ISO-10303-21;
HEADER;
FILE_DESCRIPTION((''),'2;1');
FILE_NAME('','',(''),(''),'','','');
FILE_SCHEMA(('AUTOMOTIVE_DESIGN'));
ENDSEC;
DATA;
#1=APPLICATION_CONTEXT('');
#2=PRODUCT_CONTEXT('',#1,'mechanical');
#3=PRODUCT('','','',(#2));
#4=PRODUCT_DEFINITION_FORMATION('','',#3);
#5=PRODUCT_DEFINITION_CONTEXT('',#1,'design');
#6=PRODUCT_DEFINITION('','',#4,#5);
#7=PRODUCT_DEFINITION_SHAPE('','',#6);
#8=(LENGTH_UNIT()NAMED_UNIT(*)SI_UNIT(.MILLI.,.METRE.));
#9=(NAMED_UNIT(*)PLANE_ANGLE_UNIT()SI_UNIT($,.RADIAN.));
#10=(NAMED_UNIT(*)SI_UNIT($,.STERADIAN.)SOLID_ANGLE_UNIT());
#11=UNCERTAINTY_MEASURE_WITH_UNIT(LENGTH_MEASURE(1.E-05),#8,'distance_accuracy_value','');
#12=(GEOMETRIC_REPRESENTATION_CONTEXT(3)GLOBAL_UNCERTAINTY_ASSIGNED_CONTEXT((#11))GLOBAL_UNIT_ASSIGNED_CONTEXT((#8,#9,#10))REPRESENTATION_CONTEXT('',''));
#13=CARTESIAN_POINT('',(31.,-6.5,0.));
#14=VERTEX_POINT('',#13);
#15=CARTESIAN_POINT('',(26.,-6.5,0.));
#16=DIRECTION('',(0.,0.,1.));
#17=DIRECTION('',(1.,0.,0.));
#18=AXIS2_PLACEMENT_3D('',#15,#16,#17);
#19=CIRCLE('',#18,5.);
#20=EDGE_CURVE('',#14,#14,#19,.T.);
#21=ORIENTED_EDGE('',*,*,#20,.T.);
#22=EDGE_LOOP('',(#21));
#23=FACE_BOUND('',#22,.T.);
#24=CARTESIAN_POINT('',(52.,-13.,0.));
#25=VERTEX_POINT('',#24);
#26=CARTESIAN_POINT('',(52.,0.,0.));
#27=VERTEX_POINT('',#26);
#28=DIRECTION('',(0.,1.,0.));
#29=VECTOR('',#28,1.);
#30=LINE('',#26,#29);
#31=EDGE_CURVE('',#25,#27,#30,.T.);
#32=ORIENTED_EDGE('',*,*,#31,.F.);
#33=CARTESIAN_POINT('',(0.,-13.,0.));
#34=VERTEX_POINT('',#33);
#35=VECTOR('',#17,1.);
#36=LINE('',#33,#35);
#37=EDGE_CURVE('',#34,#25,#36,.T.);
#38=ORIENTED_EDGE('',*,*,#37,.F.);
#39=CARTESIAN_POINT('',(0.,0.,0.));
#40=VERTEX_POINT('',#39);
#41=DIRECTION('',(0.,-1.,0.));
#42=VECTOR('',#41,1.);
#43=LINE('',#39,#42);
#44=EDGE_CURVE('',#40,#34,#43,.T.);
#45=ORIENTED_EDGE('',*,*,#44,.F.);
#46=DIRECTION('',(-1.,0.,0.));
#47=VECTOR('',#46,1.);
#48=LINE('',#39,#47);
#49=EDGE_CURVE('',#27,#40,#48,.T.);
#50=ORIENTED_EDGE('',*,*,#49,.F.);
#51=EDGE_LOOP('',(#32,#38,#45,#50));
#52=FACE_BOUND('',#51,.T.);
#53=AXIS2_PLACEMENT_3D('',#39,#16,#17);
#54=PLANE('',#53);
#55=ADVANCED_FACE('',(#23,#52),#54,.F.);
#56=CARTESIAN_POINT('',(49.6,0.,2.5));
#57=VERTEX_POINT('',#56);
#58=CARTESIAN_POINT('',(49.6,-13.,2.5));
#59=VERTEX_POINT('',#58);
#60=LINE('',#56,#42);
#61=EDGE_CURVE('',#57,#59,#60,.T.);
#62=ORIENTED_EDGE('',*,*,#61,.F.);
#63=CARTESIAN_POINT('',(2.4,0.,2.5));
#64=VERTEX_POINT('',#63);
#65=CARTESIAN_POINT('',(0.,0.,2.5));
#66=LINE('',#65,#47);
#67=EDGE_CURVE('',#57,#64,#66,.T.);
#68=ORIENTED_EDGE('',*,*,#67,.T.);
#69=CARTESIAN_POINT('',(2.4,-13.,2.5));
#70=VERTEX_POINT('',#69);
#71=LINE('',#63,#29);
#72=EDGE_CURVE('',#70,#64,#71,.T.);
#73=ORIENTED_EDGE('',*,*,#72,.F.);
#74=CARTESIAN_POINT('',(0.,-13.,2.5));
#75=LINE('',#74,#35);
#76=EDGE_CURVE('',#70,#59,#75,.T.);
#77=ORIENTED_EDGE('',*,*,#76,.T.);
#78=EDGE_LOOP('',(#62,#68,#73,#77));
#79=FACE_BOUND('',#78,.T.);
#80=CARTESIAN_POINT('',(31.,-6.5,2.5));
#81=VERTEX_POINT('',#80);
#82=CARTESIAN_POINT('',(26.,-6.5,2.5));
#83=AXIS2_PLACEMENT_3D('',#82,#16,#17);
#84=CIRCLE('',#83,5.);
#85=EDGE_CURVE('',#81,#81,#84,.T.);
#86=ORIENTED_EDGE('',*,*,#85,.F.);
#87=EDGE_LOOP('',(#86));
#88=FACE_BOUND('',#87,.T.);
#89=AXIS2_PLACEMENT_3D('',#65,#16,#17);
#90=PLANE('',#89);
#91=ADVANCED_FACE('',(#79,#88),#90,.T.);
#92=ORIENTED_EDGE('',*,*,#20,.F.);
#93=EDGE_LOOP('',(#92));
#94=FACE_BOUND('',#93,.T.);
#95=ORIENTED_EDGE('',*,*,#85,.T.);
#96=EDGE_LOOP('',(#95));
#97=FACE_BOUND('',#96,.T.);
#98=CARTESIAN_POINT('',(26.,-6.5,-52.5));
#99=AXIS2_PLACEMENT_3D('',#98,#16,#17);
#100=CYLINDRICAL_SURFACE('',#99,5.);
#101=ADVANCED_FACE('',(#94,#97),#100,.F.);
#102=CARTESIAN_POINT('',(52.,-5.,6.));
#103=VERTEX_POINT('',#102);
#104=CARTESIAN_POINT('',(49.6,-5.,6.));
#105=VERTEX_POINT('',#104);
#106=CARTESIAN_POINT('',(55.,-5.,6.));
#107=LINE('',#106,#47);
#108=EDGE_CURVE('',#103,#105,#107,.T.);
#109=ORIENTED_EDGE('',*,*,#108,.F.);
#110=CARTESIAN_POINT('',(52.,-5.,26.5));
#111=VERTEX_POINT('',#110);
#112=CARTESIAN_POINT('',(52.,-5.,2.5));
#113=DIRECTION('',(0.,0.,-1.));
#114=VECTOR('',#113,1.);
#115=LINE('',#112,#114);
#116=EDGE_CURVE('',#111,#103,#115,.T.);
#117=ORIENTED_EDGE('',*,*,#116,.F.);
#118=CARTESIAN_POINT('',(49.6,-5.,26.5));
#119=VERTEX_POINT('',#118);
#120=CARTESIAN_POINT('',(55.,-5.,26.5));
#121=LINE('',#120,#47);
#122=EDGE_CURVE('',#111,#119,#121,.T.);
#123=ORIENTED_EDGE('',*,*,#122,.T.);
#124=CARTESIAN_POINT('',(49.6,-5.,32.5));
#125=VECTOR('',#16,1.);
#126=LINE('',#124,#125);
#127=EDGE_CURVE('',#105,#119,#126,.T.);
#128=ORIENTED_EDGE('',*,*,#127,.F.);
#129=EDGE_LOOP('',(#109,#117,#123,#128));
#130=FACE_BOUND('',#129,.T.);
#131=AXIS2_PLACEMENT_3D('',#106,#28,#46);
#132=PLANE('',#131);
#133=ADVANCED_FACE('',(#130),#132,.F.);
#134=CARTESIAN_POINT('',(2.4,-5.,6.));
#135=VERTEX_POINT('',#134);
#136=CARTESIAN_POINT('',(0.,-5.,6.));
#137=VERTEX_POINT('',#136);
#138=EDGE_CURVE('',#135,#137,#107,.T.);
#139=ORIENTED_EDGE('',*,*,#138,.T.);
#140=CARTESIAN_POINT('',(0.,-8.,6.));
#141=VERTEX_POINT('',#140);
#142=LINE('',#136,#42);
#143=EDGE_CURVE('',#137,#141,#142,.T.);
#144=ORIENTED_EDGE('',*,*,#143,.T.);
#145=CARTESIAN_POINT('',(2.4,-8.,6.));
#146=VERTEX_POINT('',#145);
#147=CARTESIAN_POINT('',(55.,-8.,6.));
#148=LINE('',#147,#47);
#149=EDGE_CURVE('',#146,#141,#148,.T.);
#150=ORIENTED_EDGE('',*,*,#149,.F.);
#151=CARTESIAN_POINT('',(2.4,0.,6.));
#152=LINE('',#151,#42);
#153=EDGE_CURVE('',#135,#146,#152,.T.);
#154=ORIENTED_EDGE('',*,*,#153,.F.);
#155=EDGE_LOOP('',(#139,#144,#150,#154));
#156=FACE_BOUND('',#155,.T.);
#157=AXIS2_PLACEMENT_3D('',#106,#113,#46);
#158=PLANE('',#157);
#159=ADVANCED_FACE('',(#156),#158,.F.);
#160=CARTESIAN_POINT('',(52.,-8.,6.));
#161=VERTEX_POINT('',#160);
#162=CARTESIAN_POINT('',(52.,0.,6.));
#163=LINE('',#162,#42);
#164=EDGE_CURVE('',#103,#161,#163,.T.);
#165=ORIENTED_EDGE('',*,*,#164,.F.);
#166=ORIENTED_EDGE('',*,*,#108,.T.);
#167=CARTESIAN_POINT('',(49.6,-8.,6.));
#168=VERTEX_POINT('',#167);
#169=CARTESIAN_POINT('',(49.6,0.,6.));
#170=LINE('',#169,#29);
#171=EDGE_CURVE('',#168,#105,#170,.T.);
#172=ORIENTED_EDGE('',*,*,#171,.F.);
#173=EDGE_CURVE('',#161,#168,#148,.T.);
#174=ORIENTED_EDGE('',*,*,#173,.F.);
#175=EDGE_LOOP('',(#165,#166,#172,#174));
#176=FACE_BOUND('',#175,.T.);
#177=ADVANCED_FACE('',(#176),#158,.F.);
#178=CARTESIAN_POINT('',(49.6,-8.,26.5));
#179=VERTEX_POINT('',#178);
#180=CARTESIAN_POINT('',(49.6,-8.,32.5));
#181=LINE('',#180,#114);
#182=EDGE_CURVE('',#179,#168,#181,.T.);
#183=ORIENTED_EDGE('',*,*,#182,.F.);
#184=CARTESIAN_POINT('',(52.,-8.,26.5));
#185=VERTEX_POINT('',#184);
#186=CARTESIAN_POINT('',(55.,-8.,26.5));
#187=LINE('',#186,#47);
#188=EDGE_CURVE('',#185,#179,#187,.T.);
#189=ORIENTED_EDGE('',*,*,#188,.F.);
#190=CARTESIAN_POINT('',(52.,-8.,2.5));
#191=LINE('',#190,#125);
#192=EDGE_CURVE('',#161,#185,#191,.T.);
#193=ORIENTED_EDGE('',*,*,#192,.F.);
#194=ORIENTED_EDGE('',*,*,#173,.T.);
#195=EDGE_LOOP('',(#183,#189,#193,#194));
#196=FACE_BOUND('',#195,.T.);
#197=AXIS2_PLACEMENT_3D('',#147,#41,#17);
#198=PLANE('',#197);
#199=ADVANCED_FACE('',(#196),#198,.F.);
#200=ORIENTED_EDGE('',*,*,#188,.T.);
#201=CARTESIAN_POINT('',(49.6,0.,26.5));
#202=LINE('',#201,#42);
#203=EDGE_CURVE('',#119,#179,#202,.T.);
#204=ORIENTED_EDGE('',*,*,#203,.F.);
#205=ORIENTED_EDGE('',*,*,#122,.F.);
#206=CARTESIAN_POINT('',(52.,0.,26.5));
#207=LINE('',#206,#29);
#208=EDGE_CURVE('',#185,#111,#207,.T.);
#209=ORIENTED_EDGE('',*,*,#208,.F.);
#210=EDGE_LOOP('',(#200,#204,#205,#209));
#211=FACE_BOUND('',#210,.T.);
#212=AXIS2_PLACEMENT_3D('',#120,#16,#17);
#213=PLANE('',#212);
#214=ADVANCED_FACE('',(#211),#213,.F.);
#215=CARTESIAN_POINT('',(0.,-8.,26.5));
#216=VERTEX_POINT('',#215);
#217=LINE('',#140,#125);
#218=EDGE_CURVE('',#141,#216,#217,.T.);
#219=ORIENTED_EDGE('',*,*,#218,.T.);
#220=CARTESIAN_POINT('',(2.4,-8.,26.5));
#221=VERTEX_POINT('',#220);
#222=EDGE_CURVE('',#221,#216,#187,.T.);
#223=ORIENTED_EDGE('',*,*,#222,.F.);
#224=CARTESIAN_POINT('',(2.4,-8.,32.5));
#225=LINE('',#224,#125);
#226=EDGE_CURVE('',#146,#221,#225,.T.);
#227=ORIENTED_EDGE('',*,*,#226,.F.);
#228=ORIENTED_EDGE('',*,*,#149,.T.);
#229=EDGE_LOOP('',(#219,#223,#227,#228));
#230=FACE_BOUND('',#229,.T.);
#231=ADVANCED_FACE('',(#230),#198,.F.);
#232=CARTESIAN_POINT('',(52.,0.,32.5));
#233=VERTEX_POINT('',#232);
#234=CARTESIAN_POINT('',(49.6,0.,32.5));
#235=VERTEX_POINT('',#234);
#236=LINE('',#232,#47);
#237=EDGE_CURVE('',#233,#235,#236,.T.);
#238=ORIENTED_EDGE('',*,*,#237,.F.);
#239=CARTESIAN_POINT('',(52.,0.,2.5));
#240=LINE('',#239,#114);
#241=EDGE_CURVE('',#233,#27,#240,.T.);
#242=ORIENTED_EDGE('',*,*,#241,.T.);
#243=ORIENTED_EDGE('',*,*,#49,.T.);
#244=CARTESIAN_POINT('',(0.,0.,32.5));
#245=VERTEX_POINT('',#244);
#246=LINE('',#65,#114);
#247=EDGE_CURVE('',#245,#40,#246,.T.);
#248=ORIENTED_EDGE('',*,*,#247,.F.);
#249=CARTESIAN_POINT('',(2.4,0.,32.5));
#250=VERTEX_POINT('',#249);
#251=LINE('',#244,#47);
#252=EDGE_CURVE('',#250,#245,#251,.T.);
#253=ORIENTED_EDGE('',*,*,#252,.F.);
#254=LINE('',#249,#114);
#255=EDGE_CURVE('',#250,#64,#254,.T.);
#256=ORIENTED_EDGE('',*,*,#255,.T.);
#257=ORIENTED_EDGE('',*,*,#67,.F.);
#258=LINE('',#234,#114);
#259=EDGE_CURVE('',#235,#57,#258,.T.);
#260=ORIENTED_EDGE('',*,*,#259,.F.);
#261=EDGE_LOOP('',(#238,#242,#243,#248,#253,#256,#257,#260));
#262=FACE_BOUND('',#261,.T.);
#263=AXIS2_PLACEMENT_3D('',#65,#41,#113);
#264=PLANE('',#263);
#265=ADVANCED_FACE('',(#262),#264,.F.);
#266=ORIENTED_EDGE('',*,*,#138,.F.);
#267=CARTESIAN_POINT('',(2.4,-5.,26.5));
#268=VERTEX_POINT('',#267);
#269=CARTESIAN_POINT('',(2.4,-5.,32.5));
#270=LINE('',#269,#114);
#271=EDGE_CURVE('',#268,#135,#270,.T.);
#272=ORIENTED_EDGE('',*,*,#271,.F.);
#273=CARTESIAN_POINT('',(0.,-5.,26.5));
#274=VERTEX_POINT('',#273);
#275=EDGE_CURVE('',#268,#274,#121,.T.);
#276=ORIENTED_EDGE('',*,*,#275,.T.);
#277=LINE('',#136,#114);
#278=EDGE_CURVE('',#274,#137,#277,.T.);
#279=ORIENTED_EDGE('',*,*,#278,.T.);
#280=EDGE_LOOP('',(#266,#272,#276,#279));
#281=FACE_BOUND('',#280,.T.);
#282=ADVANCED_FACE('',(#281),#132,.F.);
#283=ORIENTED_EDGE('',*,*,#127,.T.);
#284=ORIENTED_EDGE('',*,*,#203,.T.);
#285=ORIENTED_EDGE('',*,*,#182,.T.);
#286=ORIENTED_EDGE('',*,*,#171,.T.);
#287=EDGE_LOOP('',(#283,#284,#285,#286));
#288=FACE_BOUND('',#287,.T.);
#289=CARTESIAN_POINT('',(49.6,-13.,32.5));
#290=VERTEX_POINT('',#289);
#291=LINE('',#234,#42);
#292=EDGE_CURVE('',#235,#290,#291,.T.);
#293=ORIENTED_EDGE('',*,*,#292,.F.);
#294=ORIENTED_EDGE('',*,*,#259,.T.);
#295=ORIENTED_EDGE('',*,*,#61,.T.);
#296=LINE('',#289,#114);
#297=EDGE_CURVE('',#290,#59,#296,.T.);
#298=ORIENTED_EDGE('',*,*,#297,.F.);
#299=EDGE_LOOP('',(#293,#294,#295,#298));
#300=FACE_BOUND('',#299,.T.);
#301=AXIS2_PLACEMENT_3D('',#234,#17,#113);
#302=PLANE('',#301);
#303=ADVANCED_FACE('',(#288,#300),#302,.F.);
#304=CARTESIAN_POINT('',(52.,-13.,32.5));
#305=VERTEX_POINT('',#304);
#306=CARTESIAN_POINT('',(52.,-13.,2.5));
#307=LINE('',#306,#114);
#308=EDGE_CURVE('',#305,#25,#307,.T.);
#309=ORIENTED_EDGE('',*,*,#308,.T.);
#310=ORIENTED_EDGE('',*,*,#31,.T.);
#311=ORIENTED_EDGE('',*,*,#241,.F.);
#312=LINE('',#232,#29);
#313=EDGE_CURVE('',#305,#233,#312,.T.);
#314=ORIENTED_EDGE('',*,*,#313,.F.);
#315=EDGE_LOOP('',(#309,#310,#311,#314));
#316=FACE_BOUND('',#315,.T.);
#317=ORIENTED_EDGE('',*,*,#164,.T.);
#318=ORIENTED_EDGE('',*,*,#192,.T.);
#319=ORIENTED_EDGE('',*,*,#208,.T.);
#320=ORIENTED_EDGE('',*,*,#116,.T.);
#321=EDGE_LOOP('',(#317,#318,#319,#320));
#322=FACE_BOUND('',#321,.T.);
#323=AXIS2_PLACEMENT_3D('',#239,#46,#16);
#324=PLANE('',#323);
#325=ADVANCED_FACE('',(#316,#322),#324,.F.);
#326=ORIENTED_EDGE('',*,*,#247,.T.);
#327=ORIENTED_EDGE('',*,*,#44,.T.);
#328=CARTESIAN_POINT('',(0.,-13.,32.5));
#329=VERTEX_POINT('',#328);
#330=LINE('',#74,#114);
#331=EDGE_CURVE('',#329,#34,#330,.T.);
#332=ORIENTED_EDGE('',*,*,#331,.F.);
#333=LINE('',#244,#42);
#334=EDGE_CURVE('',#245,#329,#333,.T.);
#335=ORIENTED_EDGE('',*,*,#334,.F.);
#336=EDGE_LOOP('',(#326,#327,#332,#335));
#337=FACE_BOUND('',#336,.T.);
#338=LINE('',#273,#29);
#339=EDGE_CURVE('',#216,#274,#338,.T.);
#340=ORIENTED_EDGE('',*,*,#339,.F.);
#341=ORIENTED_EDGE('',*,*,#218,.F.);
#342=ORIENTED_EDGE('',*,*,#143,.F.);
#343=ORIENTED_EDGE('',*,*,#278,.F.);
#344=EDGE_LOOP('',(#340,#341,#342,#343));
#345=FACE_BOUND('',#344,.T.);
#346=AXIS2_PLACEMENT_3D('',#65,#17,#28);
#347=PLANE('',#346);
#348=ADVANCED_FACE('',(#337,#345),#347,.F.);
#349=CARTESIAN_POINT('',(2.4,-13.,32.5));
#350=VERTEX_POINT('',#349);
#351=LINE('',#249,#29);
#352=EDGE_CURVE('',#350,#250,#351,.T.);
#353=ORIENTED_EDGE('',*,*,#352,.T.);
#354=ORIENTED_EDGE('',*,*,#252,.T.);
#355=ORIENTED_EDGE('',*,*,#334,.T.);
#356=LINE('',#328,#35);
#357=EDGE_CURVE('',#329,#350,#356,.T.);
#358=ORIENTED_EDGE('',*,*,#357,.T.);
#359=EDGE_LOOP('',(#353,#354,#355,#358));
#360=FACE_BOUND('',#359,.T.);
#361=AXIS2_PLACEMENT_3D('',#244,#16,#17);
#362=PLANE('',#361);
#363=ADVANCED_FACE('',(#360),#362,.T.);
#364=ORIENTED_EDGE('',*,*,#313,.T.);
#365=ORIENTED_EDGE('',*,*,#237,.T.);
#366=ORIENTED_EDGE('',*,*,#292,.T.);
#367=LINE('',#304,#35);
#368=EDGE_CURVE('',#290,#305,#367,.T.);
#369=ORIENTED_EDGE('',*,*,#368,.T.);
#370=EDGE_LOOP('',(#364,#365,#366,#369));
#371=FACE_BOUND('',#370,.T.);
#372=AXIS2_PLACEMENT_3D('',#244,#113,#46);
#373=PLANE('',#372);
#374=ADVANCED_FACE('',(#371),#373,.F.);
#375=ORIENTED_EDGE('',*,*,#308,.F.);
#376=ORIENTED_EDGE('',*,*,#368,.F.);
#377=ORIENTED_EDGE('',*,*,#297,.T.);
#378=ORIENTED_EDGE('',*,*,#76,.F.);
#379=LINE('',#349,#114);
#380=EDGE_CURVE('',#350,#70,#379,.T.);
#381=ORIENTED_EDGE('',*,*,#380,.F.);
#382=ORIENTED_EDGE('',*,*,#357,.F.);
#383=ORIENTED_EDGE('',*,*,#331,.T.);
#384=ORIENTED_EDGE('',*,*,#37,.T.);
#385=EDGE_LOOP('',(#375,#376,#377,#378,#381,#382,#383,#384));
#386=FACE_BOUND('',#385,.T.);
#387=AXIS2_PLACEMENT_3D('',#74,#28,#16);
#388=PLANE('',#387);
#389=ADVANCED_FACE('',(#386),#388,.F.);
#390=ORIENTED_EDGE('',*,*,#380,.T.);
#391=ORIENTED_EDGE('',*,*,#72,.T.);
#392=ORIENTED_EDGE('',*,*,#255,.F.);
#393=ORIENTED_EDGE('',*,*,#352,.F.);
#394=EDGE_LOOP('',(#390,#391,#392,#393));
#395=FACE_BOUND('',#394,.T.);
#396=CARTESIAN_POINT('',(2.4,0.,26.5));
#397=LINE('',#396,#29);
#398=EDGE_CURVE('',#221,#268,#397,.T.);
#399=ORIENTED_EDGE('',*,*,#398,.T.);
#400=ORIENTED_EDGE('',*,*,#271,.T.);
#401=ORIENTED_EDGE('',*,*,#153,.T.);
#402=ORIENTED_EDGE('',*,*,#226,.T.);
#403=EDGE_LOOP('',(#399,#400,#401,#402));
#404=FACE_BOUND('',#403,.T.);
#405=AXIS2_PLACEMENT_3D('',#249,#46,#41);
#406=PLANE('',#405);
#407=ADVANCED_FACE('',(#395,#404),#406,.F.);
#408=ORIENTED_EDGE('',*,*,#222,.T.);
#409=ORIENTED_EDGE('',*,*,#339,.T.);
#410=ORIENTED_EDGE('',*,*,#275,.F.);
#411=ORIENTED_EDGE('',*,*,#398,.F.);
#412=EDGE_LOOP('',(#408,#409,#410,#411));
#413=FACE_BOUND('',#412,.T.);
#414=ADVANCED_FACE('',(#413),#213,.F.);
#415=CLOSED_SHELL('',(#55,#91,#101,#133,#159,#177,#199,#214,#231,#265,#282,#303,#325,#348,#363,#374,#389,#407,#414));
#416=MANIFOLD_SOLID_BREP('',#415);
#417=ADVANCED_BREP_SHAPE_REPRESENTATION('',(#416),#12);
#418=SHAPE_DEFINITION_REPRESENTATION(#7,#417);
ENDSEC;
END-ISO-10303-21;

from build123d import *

# Parameters (mm, degrees)
SKETCH1_W           = 52
SKETCH1_H           = 13
BOSS_EXTRUDE1_DEPTH = 2.5
SKETCH2_W           = 2.4
SKETCH2_H           = 13
BOSS_EXTRUDE2_DEPTH = 30
SKETCH3_W           = 20.5
SKETCH3_H           = 3
CUT_EXTRUDE1_DEPTH  = 55
SKETCH4_R           = 5
CUT_EXTRUDE2_DEPTH  = 55


with BuildPart() as part:
    # Sketch1 → Boss-Extrude1 (new body)
    with BuildSketch(Plane.XY):
        with Locations((26, -6.5)):
            Rectangle(SKETCH1_W, SKETCH1_H)
    extrude(amount=BOSS_EXTRUDE1_DEPTH)

    # Sketch2 → Boss-Extrude2 (add)
    with BuildSketch(Plane.XY.offset(2.5)):
        with Locations((1.2, -6.5)):
            Rectangle(SKETCH2_W, SKETCH2_H)
        with Locations((50.8, -6.5)):
            Rectangle(SKETCH2_W, SKETCH2_H)
    extrude(amount=BOSS_EXTRUDE2_DEPTH)

    # Sketch3 → Cut-Extrude1 (cut)
    with BuildSketch(Plane.ZY):
        with Locations((16.25, -6.5)):
            Rectangle(SKETCH3_W, SKETCH3_H)
    extrude(amount=-CUT_EXTRUDE1_DEPTH, mode=Mode.SUBTRACT)

    # Sketch4 → Cut-Extrude2 (cut)
    with BuildSketch(Plane.XY.offset(2.5)):
        with Locations((26, -6.5)):
            Circle(SKETCH4_R)
    extrude(amount=-CUT_EXTRUDE2_DEPTH, mode=Mode.SUBTRACT)


solid = part.part
